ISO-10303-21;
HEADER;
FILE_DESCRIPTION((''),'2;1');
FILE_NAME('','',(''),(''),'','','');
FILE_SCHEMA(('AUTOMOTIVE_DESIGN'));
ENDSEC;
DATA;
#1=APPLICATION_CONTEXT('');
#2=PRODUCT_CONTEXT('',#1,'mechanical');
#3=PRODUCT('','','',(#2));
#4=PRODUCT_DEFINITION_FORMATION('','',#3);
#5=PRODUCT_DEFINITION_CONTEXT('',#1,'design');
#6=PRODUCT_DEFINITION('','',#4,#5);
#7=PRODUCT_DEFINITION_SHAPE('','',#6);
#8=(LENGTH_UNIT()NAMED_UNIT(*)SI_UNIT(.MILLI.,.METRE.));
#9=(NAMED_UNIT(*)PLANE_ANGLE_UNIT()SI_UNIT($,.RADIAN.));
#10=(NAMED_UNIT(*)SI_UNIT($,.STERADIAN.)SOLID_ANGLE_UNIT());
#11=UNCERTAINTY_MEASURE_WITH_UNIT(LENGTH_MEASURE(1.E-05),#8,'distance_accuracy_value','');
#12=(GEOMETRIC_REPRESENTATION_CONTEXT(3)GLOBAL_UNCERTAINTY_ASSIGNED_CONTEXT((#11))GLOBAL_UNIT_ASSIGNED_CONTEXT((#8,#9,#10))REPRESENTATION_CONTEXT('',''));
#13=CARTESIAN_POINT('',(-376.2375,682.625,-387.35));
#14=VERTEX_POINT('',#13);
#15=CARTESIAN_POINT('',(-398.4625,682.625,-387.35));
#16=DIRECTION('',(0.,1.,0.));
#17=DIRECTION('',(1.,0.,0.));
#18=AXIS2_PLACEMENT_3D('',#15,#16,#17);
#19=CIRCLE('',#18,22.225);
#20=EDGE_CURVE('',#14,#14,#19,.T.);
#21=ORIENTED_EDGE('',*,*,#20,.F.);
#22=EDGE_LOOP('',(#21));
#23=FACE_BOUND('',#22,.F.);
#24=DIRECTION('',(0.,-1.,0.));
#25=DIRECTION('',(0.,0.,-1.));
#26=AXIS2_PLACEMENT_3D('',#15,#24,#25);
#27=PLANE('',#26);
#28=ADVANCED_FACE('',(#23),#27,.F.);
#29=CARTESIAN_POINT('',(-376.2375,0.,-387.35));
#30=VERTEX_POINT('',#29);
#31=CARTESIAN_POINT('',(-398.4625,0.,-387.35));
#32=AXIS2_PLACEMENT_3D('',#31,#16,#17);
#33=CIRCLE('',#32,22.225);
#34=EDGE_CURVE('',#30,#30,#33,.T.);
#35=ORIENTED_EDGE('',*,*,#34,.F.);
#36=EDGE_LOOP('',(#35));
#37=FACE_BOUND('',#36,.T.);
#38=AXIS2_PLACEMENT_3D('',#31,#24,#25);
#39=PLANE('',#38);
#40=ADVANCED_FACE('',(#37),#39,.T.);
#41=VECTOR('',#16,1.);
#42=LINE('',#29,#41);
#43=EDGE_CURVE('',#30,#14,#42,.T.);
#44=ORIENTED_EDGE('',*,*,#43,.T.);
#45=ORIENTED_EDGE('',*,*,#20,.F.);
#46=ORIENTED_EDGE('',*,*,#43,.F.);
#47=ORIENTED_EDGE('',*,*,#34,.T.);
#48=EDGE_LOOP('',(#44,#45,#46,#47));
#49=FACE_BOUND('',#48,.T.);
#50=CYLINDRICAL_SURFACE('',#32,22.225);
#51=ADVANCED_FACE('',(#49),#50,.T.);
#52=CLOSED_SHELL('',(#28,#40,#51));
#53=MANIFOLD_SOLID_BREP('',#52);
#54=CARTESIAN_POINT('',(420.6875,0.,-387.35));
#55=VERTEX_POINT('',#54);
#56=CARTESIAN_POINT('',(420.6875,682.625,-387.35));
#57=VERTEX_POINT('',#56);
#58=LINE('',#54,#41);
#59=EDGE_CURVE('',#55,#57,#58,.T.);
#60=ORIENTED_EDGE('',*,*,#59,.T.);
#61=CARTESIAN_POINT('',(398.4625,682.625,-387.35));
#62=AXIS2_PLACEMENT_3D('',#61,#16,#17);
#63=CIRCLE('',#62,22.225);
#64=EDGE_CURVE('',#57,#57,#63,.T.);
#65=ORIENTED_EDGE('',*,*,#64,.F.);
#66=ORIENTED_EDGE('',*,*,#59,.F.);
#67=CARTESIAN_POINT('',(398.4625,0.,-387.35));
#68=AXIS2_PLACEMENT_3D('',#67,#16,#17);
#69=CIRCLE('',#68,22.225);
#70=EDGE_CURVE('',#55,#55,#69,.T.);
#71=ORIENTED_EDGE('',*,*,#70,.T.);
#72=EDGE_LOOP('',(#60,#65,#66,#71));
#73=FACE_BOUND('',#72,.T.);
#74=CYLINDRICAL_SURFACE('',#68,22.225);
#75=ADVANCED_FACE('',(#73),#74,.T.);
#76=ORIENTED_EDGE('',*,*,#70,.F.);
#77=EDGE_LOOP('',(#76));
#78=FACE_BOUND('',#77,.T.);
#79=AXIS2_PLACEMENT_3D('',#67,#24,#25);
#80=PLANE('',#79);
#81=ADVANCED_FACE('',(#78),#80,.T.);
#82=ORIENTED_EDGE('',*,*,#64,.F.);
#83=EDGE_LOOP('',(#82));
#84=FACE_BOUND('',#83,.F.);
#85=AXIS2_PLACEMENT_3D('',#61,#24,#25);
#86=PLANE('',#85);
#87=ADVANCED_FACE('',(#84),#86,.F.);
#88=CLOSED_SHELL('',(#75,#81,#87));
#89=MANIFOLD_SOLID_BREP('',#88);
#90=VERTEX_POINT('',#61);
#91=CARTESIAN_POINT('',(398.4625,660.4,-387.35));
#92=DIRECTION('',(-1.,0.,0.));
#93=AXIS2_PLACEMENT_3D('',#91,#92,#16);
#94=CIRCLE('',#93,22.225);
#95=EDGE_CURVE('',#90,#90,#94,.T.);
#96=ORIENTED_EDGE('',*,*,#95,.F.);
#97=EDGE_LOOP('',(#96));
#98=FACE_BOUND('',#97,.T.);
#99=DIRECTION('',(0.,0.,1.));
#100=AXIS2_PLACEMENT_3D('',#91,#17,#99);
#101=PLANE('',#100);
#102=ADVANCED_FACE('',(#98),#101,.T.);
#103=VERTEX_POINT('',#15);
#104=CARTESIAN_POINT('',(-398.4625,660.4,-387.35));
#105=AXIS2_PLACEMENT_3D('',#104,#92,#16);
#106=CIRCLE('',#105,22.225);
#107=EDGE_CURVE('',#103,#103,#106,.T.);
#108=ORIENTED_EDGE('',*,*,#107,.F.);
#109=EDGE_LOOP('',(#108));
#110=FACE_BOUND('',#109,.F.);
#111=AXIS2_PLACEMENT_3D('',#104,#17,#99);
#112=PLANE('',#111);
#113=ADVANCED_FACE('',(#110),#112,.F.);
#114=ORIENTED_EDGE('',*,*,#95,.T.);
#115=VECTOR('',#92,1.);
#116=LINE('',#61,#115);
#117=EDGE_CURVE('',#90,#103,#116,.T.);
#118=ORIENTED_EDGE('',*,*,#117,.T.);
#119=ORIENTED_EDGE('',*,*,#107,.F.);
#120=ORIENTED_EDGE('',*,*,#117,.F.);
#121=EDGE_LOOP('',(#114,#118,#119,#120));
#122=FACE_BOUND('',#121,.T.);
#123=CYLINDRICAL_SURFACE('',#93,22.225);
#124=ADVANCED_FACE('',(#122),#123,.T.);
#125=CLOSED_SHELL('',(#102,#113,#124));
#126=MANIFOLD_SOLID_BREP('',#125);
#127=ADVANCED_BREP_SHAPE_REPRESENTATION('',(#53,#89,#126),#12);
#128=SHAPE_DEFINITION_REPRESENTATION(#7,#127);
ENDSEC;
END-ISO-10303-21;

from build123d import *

# Parameters (mm, degrees)
F1_R = 22.225
F4_R = 22.225


with BuildPart() as f5:
    # F5: sweep along a path in F3
    with BuildLine(Plane(origin=(0, 0, -387.35), x_dir=(1, 0, 0), z_dir=(0, 0, -1))) as f5_path:
        Line((-398.4625, 0), (-398.4625, -660.4))
        Line((-398.4625, -660.4), (-398.4625, -682.625))
    # F1 (on Front) → F5 (sweep)
    with BuildSketch(Plane.XZ):
        with Locations((-398.4625, -387.35)):
            Circle(F1_R)
    sweep(path=f5_path.line)


with BuildPart() as f6:
    # F6: sweep along a path in F3
    with BuildLine(Plane(origin=(0, 0, -387.35), x_dir=(1, 0, 0), z_dir=(0, 0, -1))) as f6_path:
        Line((398.4625, 0), (398.4625, -660.4))
        Line((398.4625, -660.4), (398.4625, -682.625))
    # F1 (on Front) → F6 (sweep)
    with BuildSketch(Plane.XZ):
        with Locations((398.4625, -387.35)):
            Circle(F1_R)
    sweep(path=f6_path.line)


with BuildPart() as f7:
    # F7: sweep along a path in F3
    with BuildLine(Plane(origin=(0, 0, -387.35), x_dir=(1, 0, 0), z_dir=(0, 0, -1))) as f7_path:
        Line((398.4625, -660.4), (-398.4625, -660.4))
    # F4 (on Right) → F7 (sweep)
    with BuildSketch(Plane.YZ):
        with Locations((660.4, -387.35)):
            Circle(F4_R)
    sweep(path=f7_path.line)


solid = Compound([f5.part, f6.part, f7.part])
